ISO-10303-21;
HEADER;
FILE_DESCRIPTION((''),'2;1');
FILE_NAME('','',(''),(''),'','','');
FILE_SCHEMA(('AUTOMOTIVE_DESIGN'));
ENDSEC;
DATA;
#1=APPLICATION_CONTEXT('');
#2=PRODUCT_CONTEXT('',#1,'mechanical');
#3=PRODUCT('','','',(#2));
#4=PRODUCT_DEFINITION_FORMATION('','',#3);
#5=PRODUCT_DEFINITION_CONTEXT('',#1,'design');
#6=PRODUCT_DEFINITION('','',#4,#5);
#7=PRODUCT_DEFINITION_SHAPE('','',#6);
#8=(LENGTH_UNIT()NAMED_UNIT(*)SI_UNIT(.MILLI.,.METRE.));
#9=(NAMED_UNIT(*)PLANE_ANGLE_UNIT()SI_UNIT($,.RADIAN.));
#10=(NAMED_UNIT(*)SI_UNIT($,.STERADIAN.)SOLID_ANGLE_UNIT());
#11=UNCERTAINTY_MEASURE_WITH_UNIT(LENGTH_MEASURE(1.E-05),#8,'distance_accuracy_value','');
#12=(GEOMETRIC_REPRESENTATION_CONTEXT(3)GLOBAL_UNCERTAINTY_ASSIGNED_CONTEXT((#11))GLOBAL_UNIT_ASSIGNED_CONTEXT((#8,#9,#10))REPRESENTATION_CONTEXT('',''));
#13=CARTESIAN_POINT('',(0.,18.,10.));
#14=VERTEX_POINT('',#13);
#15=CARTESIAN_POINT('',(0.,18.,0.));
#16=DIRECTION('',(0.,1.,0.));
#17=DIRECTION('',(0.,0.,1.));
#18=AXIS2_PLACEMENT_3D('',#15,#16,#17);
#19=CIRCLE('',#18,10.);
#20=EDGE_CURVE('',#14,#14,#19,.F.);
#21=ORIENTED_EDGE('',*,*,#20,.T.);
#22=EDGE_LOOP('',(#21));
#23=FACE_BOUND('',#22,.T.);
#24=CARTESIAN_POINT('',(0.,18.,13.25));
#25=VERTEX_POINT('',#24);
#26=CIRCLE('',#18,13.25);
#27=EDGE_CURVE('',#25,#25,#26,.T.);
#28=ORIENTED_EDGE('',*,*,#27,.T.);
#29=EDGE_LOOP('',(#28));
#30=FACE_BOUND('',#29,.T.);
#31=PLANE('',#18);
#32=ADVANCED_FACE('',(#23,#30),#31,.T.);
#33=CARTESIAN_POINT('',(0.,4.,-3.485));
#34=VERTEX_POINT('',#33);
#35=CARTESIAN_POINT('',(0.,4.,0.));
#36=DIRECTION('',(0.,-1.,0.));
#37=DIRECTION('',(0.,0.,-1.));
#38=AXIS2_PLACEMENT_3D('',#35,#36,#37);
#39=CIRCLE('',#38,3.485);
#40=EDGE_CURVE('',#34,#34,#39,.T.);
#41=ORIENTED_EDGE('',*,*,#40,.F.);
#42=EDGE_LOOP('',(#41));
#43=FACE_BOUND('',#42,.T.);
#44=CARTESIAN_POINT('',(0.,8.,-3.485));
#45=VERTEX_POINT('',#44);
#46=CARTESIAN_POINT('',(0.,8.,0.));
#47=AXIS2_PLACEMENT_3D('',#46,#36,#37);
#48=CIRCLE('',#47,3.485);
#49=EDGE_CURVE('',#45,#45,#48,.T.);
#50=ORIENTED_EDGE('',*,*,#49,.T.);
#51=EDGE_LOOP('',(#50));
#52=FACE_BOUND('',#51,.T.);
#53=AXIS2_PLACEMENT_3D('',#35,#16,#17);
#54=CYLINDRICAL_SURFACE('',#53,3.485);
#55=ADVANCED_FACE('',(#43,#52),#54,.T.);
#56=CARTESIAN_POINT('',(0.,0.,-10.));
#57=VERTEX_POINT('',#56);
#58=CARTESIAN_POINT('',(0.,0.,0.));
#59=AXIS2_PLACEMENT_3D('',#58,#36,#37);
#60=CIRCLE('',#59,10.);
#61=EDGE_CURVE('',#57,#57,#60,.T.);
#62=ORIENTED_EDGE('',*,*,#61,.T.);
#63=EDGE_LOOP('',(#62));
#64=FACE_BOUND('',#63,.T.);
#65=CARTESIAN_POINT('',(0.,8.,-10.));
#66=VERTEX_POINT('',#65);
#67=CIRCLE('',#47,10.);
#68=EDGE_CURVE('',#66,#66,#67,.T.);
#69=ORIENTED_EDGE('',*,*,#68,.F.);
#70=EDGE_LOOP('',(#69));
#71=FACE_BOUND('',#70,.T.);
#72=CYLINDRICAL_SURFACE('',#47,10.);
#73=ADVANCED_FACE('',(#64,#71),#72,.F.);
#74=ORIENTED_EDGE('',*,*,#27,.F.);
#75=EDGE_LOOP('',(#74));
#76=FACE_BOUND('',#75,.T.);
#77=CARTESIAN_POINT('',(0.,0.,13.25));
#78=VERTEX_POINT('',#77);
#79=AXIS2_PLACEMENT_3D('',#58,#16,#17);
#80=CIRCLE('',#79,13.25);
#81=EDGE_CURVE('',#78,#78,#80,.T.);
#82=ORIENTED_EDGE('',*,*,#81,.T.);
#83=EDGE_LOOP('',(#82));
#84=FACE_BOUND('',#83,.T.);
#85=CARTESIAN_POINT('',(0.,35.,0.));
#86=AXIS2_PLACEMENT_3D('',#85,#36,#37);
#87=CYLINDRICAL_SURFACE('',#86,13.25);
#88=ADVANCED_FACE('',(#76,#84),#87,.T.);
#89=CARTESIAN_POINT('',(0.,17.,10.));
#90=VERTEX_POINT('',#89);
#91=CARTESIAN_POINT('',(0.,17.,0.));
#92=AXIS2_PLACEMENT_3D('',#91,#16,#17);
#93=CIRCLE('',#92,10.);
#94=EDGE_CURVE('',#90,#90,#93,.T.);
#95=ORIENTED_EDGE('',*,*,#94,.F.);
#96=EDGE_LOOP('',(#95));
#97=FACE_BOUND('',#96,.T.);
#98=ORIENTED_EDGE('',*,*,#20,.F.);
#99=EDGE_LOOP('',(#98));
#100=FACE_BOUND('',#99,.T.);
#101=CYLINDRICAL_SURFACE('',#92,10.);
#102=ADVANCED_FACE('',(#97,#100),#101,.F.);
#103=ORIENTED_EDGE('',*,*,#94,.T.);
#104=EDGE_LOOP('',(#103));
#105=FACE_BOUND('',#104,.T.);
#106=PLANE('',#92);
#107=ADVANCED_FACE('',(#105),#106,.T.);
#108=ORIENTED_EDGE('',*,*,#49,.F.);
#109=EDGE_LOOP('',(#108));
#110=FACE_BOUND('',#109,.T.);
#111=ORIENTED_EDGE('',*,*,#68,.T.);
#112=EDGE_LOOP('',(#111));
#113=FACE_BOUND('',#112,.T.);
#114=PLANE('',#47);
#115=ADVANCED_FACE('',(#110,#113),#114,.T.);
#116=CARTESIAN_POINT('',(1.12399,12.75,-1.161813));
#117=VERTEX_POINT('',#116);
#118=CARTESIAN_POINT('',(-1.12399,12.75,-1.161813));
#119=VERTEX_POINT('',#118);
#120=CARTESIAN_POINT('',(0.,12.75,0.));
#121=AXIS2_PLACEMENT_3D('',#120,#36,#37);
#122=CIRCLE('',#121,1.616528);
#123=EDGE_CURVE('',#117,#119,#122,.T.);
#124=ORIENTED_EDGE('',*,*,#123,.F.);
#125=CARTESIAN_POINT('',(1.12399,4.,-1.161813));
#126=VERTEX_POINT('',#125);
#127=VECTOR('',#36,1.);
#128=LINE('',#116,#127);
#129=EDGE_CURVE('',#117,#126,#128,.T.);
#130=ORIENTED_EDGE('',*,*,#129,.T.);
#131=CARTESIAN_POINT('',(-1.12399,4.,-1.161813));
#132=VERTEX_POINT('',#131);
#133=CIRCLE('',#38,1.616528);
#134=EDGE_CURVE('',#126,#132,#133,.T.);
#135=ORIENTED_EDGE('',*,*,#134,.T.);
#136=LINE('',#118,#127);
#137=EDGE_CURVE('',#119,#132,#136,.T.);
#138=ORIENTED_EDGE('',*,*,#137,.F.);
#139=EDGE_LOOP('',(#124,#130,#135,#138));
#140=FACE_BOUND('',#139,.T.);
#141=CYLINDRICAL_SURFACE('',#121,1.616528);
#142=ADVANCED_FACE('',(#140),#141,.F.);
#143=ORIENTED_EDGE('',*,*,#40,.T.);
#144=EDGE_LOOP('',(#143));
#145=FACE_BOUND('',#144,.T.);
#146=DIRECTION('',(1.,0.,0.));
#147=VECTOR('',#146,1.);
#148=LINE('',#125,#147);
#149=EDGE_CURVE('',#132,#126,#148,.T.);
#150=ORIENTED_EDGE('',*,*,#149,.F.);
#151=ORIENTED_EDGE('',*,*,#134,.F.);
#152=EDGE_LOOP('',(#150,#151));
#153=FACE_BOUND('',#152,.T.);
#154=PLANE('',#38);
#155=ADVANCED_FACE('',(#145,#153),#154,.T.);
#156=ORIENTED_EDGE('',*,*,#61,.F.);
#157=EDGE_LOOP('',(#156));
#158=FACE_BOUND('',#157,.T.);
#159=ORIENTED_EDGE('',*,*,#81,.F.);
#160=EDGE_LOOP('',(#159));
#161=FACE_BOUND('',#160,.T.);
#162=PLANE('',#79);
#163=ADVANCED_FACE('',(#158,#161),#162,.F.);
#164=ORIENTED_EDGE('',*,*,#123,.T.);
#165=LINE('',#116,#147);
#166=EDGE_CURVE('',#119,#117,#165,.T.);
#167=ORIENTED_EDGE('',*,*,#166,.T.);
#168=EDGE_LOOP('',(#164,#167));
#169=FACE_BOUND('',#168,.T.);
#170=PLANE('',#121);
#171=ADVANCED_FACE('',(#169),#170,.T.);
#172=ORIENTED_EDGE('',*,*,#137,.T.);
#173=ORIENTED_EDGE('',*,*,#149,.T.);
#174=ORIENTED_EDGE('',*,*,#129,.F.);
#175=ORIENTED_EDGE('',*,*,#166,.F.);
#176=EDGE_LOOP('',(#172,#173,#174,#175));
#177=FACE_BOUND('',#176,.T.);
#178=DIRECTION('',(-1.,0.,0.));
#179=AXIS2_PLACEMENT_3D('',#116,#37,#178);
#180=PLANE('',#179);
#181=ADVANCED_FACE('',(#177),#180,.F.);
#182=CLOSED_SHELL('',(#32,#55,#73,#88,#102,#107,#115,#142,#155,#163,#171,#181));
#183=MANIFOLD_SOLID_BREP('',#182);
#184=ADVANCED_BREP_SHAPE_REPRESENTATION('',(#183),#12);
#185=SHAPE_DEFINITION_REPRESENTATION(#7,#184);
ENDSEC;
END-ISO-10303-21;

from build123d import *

# Parameters (mm, degrees)
SKETCH1_R           = 13.25
BOSS_EXTRUDE1_DEPTH = 35
SKETCH7_R           = 10
CUT_EXTRUDE4_DEPTH  = 8
SKETCH10_R          = 3.485
BOSS_EXTRUDE3_DEPTH = 4
CUT_EXTRUDE5_DEPTH  = 8.75
SKETCH13_R          = 10
CUT_EXTRUDE6_DEPTH  = 18
SKETCH14_R          = 13.25
CUT_EXTRUDE7_DEPTH  = 17


with BuildPart() as part:
    # Sketch1 → Boss-Extrude1 (new body)
    with BuildSketch(Plane(origin=(0, 0, 0), x_dir=(1, 0, 0), z_dir=(0, 1, 0))):
        Circle(SKETCH1_R)
    extrude(amount=BOSS_EXTRUDE1_DEPTH)

    # Sketch7 → Cut-Extrude4 (cut)
    with BuildSketch(Plane.XZ):
        Circle(SKETCH7_R)
    extrude(amount=-CUT_EXTRUDE4_DEPTH, mode=Mode.SUBTRACT)

    # Sketch10 → Boss-Extrude3 (add)
    with BuildSketch(Plane.XZ.offset(-8)):
        Circle(SKETCH10_R)
    extrude(amount=BOSS_EXTRUDE3_DEPTH)

    # Sketch11 → Cut-Extrude5 (cut)
    with BuildSketch(Plane.XZ.offset(-4)):
        with BuildLine():
            Line((1.123990489, -1.161812868), (-1.123990489, -1.161812868))
            ThreePointArc((-1.123990489, -1.161812868), (0, 1.616528304), (1.123990489, -1.161812868))
        make_face()
    extrude(amount=-CUT_EXTRUDE5_DEPTH, mode=Mode.SUBTRACT)

    # Sketch13 → Cut-Extrude6 (cut)
    with BuildSketch(Plane(origin=(0, 35, 0), x_dir=(1, 0, 0), z_dir=(0, 1, 0))):
        Circle(SKETCH13_R)
    extrude(amount=-CUT_EXTRUDE6_DEPTH, mode=Mode.SUBTRACT)

    # Sketch14 → Cut-Extrude7 (cut)
    with BuildSketch(Plane(origin=(0, 35, 0), x_dir=(1, 0, 0), z_dir=(0, 1, 0))):
        Circle(SKETCH14_R)
    extrude(amount=-CUT_EXTRUDE7_DEPTH, mode=Mode.SUBTRACT)


solid = part.part
